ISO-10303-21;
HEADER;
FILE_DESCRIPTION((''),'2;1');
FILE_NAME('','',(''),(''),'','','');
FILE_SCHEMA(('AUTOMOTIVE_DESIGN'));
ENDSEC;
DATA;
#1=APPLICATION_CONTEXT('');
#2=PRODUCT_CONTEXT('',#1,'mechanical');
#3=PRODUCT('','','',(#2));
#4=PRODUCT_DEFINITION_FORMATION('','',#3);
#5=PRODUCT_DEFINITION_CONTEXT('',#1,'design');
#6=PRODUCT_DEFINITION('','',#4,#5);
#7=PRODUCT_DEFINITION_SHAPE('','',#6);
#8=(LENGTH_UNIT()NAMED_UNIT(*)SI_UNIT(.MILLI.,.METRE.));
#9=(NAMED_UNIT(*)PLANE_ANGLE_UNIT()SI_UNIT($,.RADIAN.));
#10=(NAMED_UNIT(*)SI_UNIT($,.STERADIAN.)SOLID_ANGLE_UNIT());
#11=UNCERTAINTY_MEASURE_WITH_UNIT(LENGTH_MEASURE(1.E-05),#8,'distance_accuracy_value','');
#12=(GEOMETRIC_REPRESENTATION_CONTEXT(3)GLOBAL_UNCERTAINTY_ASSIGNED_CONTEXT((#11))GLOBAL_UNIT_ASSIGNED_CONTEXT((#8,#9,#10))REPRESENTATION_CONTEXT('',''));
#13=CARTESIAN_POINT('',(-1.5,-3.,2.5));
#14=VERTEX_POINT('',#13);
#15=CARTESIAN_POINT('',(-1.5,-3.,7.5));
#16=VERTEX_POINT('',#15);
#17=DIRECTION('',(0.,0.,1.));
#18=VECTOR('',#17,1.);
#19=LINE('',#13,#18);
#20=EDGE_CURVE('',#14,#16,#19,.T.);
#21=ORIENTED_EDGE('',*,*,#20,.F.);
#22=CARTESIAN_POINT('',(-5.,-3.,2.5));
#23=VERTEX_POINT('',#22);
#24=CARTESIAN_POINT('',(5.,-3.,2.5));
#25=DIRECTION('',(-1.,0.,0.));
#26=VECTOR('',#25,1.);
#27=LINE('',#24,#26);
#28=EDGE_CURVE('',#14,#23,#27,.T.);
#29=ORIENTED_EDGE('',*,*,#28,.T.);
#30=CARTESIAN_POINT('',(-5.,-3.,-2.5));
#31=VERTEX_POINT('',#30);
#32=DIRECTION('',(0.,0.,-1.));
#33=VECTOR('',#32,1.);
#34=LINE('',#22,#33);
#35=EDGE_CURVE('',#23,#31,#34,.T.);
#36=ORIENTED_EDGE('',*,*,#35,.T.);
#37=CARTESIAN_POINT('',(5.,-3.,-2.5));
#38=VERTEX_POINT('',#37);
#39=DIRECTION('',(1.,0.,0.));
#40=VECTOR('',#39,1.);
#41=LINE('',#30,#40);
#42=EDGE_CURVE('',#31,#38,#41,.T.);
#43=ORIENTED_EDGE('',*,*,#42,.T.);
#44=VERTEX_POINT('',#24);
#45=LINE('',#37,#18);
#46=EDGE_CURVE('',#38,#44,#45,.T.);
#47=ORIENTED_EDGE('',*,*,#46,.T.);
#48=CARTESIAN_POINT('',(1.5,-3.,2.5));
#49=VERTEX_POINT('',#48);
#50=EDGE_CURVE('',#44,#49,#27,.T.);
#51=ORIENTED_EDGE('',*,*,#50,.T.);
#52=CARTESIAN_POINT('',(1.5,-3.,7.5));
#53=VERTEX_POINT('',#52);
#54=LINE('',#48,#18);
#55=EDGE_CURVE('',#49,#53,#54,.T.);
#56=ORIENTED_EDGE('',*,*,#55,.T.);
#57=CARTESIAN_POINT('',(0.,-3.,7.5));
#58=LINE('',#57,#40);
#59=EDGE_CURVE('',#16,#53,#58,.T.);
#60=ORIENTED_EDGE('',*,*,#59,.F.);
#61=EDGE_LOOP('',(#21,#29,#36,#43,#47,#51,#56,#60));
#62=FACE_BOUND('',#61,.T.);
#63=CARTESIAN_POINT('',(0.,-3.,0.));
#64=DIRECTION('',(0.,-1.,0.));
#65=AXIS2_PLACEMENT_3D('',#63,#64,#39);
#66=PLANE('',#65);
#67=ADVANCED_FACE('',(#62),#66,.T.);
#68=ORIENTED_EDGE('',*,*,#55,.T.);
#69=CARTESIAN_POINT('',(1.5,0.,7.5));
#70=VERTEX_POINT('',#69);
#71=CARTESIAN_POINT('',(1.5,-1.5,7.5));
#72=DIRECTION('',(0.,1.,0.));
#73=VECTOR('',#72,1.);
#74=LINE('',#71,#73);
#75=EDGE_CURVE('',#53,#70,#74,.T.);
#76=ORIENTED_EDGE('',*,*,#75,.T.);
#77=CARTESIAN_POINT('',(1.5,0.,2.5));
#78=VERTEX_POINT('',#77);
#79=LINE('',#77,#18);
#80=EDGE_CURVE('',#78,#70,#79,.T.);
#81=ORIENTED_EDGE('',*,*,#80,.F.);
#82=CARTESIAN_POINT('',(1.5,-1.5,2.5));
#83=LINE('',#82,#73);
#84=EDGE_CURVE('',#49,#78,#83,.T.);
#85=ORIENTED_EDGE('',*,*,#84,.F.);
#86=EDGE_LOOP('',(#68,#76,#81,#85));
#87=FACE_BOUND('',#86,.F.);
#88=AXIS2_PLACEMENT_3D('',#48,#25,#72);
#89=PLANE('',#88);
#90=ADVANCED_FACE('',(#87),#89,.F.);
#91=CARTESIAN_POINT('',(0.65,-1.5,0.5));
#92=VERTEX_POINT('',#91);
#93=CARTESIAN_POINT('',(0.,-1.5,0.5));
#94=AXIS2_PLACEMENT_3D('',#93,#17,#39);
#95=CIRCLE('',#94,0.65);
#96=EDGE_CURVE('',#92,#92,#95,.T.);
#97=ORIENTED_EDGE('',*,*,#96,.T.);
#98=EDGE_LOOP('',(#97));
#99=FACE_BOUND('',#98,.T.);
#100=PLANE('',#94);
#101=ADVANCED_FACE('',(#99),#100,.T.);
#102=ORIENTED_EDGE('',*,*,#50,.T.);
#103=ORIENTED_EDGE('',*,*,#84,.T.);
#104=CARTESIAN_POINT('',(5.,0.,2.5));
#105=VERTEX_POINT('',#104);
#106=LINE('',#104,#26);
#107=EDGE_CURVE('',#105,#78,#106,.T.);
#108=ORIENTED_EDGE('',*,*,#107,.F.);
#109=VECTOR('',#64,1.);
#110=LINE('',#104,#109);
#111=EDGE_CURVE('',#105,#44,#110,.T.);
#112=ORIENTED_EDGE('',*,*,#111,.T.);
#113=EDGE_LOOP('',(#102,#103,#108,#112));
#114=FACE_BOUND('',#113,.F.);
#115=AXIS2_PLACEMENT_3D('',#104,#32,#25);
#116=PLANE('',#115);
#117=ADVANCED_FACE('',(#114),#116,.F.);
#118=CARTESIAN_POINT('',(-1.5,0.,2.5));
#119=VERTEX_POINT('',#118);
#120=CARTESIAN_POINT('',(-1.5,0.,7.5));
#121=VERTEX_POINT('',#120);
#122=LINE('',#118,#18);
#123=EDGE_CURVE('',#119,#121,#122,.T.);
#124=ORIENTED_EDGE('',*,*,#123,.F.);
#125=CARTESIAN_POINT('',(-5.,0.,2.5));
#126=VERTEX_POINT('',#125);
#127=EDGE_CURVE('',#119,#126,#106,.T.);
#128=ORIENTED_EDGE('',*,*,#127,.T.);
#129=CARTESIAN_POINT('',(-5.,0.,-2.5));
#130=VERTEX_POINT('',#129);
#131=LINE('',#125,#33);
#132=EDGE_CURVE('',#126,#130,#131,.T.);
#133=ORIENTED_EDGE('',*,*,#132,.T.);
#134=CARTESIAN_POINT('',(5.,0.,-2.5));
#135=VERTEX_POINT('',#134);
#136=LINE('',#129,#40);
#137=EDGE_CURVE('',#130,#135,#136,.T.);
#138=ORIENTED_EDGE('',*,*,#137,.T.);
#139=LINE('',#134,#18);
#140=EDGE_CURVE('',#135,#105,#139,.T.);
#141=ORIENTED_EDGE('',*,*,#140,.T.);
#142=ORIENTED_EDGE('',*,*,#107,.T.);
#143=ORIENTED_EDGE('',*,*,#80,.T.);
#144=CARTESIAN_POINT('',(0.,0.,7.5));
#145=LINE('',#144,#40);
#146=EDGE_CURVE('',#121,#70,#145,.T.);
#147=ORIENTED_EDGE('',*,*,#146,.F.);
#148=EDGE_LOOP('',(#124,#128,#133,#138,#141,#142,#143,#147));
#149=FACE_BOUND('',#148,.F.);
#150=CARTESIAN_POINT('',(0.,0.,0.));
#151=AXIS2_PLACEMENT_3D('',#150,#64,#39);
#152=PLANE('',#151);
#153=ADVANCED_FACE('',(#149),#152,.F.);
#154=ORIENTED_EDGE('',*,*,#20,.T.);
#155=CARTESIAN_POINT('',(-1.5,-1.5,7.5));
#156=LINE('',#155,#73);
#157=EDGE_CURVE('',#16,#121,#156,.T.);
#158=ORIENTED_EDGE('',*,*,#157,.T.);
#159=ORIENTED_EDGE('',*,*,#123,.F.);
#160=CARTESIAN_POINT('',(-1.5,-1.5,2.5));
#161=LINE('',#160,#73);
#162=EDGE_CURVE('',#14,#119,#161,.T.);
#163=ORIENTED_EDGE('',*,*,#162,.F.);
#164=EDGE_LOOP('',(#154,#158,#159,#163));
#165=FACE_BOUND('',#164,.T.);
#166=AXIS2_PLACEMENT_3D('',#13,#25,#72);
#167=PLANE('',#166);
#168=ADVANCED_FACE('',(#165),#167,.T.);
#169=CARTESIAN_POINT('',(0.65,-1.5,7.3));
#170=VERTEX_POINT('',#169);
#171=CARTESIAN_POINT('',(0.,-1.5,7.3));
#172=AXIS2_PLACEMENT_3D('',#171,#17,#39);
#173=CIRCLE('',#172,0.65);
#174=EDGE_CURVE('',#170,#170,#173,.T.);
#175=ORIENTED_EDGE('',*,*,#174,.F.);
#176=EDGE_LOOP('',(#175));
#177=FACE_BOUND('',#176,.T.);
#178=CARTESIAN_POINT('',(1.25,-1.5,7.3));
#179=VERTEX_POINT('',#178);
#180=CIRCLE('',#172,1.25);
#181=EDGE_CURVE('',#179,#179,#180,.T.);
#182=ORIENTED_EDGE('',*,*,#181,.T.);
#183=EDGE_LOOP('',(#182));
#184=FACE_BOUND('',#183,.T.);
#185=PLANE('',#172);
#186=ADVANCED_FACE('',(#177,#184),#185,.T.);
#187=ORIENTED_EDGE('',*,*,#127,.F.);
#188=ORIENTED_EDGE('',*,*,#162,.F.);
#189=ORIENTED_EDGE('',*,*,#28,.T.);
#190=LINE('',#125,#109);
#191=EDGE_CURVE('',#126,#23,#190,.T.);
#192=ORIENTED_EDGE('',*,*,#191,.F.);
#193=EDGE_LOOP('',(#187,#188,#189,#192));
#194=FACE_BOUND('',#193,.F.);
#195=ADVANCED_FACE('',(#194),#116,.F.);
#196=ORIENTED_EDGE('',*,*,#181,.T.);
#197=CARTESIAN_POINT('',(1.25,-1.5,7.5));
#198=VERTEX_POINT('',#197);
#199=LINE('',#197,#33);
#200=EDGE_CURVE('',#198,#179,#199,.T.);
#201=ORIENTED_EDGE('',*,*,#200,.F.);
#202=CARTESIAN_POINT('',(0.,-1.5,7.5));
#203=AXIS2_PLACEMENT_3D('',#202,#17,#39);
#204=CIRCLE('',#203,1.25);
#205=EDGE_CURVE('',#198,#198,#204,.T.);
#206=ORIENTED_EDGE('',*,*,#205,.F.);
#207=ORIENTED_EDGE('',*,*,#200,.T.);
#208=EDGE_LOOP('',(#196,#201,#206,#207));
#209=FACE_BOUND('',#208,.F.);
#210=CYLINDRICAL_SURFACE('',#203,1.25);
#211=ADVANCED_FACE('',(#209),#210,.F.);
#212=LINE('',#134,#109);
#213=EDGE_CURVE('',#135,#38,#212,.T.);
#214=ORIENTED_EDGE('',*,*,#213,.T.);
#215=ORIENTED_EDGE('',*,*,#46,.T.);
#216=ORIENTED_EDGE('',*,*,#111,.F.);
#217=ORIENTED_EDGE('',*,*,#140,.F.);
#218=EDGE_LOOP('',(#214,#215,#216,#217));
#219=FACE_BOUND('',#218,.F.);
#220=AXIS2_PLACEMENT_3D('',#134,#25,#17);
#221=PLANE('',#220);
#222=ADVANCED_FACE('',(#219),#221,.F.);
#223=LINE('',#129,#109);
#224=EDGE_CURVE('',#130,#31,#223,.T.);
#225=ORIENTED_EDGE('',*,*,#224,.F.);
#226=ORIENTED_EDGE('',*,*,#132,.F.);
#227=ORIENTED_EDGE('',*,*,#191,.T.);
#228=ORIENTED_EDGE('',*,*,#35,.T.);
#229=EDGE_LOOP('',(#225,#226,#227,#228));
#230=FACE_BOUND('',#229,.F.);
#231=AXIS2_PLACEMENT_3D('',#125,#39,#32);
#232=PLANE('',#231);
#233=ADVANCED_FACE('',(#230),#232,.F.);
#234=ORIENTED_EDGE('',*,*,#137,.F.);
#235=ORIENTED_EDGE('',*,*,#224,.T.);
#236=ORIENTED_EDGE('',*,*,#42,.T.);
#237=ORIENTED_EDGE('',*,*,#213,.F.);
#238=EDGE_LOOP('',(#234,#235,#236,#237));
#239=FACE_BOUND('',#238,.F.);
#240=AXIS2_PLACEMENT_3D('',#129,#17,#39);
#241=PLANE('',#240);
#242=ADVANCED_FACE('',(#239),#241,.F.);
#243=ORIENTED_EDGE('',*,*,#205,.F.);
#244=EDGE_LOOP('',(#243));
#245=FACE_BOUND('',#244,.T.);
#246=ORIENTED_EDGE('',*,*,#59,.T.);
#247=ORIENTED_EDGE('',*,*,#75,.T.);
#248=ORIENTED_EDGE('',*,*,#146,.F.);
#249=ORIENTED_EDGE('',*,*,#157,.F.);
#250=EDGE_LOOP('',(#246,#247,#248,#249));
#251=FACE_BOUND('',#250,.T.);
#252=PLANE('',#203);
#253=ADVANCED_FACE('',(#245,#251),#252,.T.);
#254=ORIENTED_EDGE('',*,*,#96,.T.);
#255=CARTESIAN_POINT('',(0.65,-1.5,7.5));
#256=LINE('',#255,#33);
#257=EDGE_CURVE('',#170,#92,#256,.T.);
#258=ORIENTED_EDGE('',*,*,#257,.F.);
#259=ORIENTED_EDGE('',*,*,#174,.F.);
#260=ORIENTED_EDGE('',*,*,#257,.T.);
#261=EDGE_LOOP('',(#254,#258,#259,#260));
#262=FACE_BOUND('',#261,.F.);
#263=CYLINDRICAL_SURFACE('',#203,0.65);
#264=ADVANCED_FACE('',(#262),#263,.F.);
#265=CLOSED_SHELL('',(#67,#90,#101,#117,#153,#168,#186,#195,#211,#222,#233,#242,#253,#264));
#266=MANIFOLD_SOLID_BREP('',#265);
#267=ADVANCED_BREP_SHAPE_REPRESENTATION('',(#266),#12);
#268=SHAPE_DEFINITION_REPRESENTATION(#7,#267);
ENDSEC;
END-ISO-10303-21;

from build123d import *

# Parameters (mm, degrees)
F1_DEPTH = 3
F2_W     = 3
F2_H     = 3
F3_DEPTH = 5
F4_R     = 0.65
F5_DEPTH = 7
F6_R     = 1.25
F7_DEPTH = 0.2


with BuildPart() as f1:
    # F0 (on Front) → F1 (new body)
    with BuildSketch(Plane.XZ):
        Polygon((-5, -2.5), (5, -2.5), (5, 2.5), (1.5, 2.5), (-1.5, 2.5), (-5, 2.5), align=None)
    extrude(amount=F1_DEPTH)

    # F2 (on face) → F3 (join)
    with BuildSketch(Plane.XY.offset(2.5)):
        with Locations((0, -1.5)):
            Rectangle(F2_W, F2_H)
    extrude(amount=F3_DEPTH)

    # F4 (on face) → F5 (cut)
    with BuildSketch(Plane.XY.offset(7.5)):
        with Locations((0, -1.5)):
            Circle(F4_R)
    extrude(amount=-F5_DEPTH, mode=Mode.SUBTRACT)

    # F6 (on face) → F7 (cut)
    with BuildSketch(Plane.XY.offset(7.5)):
        with Locations((0, -1.5)):
            Circle(F6_R)
    extrude(amount=-F7_DEPTH, mode=Mode.SUBTRACT)


solid = f1.part
